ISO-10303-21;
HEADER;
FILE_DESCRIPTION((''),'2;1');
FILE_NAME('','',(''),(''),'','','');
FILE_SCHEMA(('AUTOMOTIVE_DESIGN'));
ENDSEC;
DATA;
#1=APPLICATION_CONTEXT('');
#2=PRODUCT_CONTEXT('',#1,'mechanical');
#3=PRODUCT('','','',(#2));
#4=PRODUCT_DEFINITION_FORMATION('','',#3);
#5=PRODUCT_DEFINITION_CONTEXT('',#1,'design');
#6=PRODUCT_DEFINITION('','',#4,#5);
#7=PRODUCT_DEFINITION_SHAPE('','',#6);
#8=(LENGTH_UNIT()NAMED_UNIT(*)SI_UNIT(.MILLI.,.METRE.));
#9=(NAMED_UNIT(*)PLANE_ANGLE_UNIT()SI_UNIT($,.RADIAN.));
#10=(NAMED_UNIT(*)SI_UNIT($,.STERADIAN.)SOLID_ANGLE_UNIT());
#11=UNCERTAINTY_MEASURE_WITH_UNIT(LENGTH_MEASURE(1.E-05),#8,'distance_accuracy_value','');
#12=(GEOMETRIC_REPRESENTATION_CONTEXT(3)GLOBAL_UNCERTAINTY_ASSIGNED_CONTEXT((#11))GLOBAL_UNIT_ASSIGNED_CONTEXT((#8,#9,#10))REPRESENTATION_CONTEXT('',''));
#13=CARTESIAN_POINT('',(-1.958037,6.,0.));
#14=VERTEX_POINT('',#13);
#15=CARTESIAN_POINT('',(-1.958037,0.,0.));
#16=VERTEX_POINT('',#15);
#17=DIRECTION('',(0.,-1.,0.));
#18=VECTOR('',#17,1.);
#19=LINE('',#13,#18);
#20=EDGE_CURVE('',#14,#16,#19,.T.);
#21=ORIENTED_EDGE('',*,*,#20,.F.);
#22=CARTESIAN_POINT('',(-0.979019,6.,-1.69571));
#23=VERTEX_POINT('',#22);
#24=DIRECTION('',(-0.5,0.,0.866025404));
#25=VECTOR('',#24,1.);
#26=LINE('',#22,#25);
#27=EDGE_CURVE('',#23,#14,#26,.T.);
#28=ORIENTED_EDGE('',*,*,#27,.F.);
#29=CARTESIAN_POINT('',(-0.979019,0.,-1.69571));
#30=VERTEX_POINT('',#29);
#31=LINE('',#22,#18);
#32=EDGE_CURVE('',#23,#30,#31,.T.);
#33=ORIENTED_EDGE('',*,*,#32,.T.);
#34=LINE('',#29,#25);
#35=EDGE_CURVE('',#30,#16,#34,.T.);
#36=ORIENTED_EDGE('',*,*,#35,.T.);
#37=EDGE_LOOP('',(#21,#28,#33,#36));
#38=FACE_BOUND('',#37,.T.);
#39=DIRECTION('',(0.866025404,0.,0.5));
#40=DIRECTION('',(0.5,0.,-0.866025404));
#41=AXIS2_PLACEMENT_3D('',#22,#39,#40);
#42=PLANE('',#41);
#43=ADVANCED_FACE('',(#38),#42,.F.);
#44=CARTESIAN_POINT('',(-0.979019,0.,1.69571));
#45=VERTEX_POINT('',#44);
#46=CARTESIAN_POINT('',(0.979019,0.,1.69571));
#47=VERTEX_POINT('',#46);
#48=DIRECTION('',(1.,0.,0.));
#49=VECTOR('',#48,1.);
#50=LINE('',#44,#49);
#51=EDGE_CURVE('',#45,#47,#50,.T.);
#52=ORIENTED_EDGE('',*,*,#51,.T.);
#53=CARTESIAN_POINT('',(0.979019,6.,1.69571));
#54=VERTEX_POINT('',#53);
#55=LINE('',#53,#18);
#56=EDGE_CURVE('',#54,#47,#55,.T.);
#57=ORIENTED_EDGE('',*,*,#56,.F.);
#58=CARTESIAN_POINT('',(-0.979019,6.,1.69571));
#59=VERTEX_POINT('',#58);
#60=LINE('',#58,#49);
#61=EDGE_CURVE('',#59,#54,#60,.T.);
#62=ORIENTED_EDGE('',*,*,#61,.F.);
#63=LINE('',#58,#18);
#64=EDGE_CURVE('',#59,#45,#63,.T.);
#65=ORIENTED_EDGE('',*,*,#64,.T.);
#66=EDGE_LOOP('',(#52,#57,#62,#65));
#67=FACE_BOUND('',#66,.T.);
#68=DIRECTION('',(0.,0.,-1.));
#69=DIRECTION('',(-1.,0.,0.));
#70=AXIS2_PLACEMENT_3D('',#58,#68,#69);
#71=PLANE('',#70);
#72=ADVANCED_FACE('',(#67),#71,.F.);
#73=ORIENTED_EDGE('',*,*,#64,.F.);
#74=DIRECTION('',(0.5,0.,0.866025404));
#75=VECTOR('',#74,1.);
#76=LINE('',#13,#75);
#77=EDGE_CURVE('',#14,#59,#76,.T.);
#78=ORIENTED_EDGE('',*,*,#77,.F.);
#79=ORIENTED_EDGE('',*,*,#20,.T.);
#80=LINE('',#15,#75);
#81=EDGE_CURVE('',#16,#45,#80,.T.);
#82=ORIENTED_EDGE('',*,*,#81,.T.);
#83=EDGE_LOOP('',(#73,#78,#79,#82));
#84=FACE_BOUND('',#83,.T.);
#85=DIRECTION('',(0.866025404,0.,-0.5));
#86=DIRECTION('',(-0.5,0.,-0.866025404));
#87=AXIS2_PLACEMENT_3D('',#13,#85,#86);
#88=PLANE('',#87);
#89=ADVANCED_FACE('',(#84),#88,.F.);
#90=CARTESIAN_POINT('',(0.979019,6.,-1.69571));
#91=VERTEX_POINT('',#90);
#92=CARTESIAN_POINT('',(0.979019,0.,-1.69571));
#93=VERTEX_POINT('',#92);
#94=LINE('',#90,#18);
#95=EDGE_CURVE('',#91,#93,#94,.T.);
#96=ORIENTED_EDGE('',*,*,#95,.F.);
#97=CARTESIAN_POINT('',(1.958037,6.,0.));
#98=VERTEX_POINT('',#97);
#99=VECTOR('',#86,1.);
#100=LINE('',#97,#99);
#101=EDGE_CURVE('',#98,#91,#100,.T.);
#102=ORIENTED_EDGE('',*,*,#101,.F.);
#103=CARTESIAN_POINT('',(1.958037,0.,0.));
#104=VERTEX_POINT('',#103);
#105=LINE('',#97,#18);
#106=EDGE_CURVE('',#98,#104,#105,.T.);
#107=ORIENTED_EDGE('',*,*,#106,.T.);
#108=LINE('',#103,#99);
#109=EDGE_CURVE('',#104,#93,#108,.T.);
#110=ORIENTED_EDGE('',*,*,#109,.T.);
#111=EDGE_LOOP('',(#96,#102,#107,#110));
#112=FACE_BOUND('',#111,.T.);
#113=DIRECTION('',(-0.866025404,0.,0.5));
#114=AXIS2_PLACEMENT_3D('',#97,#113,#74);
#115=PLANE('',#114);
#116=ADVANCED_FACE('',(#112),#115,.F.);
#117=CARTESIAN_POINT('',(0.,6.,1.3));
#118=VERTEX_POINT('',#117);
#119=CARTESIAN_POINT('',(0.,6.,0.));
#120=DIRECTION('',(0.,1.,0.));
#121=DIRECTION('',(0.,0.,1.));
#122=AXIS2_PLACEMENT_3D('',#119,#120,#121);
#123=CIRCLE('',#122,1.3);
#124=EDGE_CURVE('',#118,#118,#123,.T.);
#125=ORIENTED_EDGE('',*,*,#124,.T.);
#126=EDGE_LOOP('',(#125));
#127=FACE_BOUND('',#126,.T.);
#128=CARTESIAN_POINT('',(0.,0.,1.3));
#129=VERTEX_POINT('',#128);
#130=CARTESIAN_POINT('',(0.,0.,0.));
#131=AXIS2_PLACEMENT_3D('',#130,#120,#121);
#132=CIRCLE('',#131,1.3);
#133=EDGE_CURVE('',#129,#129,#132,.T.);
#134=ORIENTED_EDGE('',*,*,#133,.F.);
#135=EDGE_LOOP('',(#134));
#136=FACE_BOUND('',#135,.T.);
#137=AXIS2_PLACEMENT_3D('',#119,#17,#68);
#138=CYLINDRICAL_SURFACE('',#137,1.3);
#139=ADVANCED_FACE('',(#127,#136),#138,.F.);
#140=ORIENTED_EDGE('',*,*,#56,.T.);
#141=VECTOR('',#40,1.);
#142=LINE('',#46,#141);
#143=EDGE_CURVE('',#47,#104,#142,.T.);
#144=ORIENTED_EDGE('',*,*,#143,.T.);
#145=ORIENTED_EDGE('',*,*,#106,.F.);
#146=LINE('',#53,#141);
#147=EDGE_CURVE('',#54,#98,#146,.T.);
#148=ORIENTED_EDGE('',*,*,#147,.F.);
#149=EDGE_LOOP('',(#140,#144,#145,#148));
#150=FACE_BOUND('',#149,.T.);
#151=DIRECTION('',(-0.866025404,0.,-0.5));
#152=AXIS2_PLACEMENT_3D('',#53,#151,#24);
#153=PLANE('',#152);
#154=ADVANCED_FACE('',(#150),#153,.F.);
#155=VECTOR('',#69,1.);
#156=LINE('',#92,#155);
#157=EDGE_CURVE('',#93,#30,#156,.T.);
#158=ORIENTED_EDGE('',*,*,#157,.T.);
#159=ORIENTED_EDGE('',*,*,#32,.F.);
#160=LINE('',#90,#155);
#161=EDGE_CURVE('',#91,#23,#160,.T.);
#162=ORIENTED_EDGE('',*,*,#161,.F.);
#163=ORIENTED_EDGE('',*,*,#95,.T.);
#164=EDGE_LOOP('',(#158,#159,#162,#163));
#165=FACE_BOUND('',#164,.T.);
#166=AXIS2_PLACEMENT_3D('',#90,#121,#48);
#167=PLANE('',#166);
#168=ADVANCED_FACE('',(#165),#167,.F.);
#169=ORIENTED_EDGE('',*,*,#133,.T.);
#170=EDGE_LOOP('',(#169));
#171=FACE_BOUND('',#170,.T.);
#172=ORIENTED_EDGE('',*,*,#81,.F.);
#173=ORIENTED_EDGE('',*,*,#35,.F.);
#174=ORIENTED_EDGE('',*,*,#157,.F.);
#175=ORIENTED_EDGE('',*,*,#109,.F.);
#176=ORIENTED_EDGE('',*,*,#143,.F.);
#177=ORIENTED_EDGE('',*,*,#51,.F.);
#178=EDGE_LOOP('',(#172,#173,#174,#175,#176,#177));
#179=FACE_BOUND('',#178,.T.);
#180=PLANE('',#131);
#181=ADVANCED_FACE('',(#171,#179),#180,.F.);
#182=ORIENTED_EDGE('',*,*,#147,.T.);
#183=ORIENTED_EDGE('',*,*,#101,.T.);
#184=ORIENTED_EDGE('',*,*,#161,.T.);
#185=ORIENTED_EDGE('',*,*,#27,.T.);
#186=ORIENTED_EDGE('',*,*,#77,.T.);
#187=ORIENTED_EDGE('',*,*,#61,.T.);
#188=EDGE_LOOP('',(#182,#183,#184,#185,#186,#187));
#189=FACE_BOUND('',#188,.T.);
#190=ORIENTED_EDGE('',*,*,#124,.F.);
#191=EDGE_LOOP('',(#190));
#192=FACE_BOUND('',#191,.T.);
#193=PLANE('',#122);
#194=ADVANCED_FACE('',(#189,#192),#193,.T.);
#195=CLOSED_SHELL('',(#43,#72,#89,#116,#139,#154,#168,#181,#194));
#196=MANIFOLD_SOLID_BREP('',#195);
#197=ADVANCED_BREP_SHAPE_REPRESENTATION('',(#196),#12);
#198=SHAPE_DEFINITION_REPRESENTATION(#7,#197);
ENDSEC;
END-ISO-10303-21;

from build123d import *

# Parameters (mm, degrees)
SKETCH1_R           = 1.3
BOSS_EXTRUDE1_DEPTH = 6


with BuildPart() as part:
    # Sketch1 → Boss-Extrude1 (new body)
    with BuildSketch(Plane(origin=(0, 0, 0), x_dir=(1, 0, 0), z_dir=(0, 1, 0))):
        Polygon((0.979018569, -1.695709904), (1.958037139, 0), (0.979018569, 1.695709904), (-0.979018569, 1.695709904), (-1.958037139, 0), (-0.979018569, -1.695709904), align=None)
        Circle(SKETCH1_R, mode=Mode.SUBTRACT)
    extrude(amount=BOSS_EXTRUDE1_DEPTH)


solid = part.part
